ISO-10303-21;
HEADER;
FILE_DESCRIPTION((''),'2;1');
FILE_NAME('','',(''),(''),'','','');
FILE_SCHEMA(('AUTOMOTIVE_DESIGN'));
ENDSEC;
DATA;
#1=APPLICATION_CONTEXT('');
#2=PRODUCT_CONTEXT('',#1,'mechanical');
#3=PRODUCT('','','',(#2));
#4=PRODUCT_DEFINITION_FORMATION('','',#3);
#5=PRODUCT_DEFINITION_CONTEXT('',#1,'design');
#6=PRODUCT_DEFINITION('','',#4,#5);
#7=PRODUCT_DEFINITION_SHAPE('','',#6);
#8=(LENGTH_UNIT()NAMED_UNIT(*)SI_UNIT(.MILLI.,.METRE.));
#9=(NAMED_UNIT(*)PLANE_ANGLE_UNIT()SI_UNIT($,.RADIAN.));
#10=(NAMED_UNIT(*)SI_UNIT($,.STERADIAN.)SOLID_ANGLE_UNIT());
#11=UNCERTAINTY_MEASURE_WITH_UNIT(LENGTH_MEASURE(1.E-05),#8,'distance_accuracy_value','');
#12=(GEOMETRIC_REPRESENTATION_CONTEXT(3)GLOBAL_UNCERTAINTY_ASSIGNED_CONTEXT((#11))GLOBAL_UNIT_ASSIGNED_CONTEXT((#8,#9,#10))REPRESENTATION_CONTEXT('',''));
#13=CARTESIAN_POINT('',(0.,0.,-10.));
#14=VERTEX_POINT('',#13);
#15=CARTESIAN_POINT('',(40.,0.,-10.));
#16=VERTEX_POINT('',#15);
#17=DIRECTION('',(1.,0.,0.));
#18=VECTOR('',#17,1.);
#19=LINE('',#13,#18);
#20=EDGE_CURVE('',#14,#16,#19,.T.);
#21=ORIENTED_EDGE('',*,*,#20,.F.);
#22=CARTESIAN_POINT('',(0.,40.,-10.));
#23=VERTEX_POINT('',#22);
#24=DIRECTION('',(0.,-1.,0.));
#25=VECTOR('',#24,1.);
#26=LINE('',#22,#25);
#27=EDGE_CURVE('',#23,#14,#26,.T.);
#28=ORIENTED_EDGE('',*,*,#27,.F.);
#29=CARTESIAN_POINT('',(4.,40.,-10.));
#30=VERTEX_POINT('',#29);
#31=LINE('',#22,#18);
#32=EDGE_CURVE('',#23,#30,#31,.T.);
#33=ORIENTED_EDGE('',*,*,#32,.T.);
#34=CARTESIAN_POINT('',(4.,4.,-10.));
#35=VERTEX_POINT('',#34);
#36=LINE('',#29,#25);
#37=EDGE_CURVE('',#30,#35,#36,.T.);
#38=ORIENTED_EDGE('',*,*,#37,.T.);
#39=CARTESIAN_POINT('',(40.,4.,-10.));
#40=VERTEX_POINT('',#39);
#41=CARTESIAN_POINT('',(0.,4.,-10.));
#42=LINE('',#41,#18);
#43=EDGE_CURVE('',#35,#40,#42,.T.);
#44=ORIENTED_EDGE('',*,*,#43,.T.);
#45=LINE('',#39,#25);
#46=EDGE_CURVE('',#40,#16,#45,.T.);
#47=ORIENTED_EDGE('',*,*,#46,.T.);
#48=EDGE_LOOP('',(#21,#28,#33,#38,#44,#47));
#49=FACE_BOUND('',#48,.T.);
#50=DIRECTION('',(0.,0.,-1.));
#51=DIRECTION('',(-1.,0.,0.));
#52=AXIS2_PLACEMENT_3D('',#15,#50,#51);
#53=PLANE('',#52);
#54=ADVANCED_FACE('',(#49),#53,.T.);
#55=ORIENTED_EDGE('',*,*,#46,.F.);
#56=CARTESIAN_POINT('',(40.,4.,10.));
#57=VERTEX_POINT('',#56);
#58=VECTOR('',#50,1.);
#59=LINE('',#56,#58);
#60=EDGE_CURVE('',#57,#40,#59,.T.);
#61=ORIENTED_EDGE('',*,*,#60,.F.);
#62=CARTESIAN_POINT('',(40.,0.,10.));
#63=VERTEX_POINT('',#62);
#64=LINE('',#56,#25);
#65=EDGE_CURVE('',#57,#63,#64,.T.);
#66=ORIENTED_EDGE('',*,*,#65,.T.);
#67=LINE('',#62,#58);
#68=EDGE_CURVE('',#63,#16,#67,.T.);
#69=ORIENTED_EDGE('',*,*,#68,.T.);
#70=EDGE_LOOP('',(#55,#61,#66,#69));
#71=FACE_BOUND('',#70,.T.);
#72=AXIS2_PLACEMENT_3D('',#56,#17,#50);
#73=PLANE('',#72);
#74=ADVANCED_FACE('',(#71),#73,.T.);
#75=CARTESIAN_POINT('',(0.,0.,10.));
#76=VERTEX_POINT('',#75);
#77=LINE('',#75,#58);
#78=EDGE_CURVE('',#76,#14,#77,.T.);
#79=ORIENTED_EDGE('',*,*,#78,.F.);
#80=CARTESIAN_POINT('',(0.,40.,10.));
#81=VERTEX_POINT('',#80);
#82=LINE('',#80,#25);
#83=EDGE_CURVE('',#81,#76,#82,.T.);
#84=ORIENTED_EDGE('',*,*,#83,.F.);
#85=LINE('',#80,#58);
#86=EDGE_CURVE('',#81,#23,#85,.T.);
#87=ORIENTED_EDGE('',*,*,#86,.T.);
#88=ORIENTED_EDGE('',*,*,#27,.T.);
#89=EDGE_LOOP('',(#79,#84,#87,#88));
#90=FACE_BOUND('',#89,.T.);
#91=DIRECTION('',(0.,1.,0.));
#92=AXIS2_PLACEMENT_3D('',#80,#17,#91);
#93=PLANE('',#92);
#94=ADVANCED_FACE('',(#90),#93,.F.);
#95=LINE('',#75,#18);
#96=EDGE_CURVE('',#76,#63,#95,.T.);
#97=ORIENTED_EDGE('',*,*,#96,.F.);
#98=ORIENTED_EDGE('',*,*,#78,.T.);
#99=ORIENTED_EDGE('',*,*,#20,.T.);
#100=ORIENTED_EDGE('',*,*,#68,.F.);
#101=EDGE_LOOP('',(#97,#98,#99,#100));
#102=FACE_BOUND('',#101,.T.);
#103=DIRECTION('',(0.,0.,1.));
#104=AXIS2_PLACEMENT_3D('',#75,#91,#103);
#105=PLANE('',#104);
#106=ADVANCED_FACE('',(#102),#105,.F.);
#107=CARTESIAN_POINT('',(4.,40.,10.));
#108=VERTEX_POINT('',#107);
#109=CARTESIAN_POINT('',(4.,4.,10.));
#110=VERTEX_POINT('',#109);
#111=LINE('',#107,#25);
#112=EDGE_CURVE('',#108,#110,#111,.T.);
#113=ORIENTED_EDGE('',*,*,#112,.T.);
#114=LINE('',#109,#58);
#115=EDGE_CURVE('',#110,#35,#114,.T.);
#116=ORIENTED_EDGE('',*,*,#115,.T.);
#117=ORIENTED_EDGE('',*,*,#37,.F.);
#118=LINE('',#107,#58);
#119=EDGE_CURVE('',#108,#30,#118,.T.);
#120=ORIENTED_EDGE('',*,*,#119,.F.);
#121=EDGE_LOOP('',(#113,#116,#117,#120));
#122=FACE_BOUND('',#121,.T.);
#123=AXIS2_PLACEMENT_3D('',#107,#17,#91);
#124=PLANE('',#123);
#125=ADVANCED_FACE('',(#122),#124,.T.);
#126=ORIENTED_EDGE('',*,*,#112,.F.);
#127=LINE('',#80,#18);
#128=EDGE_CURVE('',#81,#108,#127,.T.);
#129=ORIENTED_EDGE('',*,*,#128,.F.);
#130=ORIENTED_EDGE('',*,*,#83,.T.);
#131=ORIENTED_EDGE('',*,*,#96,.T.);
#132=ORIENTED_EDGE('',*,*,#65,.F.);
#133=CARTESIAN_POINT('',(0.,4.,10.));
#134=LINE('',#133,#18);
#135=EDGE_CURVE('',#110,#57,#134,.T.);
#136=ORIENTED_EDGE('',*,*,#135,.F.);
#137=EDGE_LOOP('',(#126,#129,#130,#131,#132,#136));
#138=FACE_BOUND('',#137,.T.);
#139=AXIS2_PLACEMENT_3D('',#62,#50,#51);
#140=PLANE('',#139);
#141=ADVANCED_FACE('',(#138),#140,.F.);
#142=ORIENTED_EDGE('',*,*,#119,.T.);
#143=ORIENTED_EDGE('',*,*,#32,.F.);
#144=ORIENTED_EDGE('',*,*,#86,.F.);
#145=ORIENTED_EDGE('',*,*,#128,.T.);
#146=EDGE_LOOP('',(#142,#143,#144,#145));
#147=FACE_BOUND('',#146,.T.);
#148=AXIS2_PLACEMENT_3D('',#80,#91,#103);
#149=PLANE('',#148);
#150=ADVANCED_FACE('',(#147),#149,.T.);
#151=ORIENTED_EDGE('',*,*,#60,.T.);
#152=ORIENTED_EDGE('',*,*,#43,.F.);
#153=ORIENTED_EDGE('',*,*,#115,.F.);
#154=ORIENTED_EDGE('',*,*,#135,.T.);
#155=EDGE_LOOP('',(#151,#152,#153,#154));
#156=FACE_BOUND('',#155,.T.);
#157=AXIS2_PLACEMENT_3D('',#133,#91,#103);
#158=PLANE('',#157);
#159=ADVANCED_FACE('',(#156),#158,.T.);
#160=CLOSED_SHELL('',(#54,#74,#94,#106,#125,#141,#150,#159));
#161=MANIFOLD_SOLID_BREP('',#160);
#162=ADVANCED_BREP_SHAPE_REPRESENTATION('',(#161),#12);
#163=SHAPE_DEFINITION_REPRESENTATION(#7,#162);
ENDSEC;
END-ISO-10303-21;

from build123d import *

# Parameters (mm, degrees)
LINEAR_AUSTRAGEN_D_NN1_DEPTH = 10


with BuildPart() as part:
    # Skizze1 → Linear-Austragen-Dünn1 (new, symmetric)
    with BuildSketch(Plane.XY):
        Polygon((0, 40), (0, 0), (40, 0), (40, 4), (4, 4), (4, 40), align=None)
    extrude(amount=LINEAR_AUSTRAGEN_D_NN1_DEPTH, both=True)


solid = part.part
